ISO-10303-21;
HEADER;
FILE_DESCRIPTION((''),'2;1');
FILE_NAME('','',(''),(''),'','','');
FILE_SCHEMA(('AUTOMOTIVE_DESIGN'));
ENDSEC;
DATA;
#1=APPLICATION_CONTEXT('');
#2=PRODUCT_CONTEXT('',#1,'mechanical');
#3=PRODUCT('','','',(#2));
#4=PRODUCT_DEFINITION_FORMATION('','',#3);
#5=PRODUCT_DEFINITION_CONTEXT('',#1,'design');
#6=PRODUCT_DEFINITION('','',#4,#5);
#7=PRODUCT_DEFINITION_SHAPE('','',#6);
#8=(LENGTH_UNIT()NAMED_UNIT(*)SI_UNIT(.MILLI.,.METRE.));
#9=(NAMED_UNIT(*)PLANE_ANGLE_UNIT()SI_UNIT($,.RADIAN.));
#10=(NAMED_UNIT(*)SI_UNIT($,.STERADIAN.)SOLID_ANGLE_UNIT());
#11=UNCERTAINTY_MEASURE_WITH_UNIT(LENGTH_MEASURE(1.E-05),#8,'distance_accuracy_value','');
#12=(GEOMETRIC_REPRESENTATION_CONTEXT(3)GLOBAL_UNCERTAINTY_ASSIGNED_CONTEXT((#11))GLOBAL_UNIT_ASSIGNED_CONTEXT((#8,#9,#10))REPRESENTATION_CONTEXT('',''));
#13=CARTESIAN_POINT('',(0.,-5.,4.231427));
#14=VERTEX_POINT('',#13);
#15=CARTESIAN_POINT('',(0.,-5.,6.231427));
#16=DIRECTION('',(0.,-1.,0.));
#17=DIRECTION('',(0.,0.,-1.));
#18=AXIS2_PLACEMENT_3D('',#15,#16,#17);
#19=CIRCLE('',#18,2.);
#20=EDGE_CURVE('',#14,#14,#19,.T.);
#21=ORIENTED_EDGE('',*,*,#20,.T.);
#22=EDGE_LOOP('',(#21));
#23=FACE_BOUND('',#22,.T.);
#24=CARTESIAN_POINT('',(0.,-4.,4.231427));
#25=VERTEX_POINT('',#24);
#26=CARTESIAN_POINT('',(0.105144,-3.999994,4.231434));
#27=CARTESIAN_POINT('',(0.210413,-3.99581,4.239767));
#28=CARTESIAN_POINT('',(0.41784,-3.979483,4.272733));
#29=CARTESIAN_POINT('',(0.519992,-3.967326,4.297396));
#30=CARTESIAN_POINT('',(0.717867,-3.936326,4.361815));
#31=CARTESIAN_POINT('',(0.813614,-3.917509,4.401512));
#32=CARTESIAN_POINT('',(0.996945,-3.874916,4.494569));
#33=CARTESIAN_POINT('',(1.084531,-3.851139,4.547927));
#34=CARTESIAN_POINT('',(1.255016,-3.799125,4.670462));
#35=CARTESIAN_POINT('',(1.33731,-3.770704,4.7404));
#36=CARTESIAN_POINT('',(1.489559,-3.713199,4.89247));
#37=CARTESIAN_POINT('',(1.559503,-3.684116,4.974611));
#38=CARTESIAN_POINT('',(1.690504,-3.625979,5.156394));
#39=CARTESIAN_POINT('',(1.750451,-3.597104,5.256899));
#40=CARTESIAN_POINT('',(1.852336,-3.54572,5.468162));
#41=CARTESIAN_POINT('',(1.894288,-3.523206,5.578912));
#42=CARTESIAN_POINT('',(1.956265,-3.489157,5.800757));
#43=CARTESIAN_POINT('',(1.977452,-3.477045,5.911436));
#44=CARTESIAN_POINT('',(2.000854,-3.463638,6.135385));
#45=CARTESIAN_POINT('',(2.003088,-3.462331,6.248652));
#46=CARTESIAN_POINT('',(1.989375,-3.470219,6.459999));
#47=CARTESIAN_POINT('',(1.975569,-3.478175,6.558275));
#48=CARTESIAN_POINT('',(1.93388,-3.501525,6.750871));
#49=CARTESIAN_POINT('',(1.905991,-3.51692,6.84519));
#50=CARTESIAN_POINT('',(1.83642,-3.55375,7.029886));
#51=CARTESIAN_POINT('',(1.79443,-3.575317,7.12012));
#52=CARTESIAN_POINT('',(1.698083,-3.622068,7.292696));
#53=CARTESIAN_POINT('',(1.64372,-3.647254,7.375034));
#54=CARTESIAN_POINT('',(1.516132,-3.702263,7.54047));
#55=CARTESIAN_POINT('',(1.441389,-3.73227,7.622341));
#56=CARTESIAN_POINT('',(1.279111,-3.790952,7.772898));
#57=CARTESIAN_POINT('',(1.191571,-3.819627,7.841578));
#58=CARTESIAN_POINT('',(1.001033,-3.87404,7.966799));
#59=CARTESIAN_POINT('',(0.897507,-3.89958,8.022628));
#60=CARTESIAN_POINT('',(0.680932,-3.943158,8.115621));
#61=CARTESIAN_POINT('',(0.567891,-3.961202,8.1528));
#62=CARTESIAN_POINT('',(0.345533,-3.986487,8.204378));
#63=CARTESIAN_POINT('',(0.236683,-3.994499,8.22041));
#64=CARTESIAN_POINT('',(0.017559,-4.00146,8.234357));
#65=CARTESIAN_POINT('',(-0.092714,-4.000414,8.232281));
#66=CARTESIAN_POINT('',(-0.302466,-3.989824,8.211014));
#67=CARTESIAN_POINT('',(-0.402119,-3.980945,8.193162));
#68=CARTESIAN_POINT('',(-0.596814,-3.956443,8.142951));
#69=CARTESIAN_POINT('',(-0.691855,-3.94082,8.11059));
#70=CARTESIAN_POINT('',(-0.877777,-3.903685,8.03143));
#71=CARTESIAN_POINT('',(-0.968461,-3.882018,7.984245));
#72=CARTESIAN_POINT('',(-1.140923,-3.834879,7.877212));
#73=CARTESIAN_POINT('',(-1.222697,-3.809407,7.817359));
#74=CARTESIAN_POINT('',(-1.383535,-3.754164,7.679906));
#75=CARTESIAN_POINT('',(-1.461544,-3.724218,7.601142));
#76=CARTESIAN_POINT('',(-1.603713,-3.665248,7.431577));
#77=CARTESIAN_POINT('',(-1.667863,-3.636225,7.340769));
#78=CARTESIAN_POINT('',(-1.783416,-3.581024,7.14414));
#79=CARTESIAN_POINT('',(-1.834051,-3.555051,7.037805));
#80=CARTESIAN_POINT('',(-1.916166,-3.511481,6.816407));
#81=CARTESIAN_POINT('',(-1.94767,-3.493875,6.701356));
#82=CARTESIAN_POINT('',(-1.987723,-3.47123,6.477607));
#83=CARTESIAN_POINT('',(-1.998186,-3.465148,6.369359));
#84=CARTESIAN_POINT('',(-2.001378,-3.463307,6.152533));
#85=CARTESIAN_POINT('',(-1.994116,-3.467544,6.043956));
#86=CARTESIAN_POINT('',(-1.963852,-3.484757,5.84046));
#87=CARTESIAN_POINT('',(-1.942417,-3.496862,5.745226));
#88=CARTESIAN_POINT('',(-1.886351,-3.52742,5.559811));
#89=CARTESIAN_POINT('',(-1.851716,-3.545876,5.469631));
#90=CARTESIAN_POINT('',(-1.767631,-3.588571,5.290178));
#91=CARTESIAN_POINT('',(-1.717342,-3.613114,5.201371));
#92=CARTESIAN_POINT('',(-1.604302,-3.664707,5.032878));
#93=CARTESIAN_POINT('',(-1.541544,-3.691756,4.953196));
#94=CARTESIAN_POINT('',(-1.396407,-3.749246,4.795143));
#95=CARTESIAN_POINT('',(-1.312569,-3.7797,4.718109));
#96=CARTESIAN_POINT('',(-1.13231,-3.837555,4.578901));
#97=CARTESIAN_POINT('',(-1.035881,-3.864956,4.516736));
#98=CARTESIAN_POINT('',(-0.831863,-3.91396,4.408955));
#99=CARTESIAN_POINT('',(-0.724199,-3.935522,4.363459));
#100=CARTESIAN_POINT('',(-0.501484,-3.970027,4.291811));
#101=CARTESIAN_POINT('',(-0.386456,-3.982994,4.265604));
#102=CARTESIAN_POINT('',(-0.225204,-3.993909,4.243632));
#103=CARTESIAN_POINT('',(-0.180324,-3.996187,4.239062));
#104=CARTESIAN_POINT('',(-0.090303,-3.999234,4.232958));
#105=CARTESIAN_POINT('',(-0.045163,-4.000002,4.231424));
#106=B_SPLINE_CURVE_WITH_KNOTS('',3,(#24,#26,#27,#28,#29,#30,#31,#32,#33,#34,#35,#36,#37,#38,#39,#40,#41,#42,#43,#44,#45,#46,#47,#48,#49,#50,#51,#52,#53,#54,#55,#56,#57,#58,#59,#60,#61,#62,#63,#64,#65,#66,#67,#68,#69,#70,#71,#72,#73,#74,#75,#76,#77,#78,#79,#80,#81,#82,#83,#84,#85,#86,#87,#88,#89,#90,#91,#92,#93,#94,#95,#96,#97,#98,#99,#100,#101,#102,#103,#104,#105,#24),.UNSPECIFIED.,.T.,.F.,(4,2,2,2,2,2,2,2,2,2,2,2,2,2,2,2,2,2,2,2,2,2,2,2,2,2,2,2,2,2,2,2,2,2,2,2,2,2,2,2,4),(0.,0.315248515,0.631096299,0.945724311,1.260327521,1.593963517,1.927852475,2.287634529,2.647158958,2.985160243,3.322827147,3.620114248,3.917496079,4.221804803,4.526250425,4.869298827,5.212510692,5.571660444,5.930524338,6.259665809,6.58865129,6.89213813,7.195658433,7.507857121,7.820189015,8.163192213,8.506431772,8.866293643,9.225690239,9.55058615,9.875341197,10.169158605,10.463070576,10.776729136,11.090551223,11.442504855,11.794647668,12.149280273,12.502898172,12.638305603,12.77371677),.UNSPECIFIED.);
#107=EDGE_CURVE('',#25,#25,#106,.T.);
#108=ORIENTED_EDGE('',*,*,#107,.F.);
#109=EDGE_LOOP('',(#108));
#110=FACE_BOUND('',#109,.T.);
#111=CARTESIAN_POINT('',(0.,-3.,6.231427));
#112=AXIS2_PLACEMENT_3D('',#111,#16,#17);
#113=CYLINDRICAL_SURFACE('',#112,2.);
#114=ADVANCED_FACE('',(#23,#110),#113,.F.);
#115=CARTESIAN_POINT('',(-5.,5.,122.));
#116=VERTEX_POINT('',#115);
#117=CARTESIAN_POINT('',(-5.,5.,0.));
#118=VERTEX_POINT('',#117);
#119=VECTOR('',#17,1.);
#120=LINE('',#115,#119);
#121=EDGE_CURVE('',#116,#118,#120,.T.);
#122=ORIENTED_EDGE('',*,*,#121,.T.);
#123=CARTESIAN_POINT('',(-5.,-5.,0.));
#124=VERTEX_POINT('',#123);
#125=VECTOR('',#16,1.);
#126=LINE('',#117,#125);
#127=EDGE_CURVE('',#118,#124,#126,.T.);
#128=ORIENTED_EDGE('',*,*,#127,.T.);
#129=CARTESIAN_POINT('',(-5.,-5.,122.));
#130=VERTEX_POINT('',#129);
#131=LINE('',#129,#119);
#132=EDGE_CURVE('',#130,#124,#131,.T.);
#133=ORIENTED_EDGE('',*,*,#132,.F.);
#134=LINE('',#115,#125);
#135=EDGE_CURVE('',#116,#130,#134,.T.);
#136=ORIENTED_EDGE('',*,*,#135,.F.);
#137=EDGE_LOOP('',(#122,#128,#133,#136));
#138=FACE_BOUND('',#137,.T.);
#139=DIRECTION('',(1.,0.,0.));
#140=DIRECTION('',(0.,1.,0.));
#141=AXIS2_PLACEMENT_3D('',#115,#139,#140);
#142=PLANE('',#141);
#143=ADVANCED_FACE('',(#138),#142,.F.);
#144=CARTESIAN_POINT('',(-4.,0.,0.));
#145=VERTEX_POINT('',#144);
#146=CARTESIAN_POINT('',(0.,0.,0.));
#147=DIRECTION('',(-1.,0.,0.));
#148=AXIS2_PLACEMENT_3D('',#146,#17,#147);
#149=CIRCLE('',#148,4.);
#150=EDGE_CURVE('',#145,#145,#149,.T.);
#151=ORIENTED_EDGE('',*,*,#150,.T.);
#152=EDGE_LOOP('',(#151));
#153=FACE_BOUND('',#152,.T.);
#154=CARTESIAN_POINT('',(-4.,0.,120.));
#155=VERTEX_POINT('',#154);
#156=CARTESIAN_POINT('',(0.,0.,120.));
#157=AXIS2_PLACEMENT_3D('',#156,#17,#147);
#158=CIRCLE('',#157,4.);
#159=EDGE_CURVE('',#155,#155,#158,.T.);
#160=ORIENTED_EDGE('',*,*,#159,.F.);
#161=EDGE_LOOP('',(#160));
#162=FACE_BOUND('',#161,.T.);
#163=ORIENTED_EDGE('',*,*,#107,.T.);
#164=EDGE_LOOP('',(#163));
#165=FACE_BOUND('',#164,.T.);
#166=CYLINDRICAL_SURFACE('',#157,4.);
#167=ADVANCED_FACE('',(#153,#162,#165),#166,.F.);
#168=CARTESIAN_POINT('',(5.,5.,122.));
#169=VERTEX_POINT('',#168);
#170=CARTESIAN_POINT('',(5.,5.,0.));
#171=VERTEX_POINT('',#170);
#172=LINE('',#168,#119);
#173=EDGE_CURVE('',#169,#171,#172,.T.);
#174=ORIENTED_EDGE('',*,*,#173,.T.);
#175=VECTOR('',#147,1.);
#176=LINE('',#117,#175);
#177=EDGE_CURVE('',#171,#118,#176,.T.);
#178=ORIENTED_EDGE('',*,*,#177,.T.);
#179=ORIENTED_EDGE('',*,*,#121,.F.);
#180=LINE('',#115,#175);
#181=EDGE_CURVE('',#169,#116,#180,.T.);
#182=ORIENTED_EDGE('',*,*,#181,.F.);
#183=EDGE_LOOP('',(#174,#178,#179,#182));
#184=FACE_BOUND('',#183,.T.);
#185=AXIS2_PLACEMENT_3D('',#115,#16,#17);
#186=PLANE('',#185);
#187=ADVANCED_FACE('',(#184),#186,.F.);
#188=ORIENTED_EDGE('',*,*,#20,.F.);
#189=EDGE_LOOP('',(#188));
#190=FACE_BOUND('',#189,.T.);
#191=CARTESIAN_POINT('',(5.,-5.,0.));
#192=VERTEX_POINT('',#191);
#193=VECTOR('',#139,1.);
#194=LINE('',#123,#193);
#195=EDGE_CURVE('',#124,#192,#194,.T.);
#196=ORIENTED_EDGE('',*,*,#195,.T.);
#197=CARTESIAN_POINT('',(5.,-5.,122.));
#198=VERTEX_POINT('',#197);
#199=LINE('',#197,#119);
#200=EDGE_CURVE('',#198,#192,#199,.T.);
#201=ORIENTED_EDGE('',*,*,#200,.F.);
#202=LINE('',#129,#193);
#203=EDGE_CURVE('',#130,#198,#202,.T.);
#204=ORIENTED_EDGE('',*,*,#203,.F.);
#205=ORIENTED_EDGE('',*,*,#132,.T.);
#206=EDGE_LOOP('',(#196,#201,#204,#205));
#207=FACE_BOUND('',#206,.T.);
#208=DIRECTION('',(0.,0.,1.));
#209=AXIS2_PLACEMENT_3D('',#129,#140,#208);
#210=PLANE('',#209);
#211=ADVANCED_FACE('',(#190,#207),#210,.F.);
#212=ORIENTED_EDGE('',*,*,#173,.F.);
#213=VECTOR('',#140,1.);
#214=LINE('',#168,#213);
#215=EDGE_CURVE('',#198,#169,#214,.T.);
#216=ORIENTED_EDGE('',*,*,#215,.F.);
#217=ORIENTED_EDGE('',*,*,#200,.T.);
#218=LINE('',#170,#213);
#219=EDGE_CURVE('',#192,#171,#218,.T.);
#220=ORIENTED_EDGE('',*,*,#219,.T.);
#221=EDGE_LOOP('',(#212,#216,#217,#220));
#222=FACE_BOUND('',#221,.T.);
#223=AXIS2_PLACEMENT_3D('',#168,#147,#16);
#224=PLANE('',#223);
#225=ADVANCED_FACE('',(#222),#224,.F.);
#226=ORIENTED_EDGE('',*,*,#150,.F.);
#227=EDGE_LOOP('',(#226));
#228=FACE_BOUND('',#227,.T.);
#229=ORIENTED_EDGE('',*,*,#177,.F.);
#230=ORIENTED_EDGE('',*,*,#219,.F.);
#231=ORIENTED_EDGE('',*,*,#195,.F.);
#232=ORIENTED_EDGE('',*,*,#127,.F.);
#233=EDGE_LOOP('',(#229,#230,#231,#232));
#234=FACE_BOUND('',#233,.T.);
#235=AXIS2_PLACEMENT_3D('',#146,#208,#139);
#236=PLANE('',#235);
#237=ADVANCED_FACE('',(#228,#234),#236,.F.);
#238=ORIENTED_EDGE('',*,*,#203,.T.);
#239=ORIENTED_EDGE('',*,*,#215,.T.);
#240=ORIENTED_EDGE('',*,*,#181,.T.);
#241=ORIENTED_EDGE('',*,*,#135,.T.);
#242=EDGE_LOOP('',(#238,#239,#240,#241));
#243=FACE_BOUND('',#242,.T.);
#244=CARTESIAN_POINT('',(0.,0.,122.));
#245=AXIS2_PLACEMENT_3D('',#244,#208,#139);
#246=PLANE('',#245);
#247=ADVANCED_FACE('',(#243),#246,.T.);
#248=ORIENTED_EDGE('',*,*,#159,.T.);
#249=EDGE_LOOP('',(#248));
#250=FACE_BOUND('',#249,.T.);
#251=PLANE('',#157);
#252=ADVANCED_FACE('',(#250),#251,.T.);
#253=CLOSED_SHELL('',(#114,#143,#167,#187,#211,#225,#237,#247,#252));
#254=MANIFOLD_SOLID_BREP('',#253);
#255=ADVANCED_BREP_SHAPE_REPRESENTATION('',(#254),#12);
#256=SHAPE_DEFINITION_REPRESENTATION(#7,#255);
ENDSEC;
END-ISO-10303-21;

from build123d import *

# Parameters (mm, degrees)
SKETCH_1_W          = 10
SKETCH_1_H          = 10
EXTRUDE_1_DEPTH     = 122
SKETCH_2_R          = 4
CUT_EXTRUDE_1_DEPTH = 120
SKETCH_3_R          = 2
CUT_EXTRUDE_2_DEPTH = 2


with BuildPart() as part:
    # 草图1 → 凸台-拉伸1 (new body)
    with BuildSketch(Plane.XY):
        Rectangle(SKETCH_1_W, SKETCH_1_H)
    extrude(amount=EXTRUDE_1_DEPTH)

    # 草图2 → 切除-拉伸1 (cut)
    with BuildSketch(Plane(origin=(0, 0, 0), x_dir=(-1, 0, 0), z_dir=(0, 0, -1))):
        Circle(SKETCH_2_R)
    extrude(amount=-CUT_EXTRUDE_1_DEPTH, mode=Mode.SUBTRACT)

    # 草图3 → 切除-拉伸2 (cut)
    with BuildSketch(Plane.XZ.offset(5)):
        with Locations((0, 6.231427265)):
            Circle(SKETCH_3_R)
    extrude(amount=-CUT_EXTRUDE_2_DEPTH, mode=Mode.SUBTRACT)


solid = part.part
